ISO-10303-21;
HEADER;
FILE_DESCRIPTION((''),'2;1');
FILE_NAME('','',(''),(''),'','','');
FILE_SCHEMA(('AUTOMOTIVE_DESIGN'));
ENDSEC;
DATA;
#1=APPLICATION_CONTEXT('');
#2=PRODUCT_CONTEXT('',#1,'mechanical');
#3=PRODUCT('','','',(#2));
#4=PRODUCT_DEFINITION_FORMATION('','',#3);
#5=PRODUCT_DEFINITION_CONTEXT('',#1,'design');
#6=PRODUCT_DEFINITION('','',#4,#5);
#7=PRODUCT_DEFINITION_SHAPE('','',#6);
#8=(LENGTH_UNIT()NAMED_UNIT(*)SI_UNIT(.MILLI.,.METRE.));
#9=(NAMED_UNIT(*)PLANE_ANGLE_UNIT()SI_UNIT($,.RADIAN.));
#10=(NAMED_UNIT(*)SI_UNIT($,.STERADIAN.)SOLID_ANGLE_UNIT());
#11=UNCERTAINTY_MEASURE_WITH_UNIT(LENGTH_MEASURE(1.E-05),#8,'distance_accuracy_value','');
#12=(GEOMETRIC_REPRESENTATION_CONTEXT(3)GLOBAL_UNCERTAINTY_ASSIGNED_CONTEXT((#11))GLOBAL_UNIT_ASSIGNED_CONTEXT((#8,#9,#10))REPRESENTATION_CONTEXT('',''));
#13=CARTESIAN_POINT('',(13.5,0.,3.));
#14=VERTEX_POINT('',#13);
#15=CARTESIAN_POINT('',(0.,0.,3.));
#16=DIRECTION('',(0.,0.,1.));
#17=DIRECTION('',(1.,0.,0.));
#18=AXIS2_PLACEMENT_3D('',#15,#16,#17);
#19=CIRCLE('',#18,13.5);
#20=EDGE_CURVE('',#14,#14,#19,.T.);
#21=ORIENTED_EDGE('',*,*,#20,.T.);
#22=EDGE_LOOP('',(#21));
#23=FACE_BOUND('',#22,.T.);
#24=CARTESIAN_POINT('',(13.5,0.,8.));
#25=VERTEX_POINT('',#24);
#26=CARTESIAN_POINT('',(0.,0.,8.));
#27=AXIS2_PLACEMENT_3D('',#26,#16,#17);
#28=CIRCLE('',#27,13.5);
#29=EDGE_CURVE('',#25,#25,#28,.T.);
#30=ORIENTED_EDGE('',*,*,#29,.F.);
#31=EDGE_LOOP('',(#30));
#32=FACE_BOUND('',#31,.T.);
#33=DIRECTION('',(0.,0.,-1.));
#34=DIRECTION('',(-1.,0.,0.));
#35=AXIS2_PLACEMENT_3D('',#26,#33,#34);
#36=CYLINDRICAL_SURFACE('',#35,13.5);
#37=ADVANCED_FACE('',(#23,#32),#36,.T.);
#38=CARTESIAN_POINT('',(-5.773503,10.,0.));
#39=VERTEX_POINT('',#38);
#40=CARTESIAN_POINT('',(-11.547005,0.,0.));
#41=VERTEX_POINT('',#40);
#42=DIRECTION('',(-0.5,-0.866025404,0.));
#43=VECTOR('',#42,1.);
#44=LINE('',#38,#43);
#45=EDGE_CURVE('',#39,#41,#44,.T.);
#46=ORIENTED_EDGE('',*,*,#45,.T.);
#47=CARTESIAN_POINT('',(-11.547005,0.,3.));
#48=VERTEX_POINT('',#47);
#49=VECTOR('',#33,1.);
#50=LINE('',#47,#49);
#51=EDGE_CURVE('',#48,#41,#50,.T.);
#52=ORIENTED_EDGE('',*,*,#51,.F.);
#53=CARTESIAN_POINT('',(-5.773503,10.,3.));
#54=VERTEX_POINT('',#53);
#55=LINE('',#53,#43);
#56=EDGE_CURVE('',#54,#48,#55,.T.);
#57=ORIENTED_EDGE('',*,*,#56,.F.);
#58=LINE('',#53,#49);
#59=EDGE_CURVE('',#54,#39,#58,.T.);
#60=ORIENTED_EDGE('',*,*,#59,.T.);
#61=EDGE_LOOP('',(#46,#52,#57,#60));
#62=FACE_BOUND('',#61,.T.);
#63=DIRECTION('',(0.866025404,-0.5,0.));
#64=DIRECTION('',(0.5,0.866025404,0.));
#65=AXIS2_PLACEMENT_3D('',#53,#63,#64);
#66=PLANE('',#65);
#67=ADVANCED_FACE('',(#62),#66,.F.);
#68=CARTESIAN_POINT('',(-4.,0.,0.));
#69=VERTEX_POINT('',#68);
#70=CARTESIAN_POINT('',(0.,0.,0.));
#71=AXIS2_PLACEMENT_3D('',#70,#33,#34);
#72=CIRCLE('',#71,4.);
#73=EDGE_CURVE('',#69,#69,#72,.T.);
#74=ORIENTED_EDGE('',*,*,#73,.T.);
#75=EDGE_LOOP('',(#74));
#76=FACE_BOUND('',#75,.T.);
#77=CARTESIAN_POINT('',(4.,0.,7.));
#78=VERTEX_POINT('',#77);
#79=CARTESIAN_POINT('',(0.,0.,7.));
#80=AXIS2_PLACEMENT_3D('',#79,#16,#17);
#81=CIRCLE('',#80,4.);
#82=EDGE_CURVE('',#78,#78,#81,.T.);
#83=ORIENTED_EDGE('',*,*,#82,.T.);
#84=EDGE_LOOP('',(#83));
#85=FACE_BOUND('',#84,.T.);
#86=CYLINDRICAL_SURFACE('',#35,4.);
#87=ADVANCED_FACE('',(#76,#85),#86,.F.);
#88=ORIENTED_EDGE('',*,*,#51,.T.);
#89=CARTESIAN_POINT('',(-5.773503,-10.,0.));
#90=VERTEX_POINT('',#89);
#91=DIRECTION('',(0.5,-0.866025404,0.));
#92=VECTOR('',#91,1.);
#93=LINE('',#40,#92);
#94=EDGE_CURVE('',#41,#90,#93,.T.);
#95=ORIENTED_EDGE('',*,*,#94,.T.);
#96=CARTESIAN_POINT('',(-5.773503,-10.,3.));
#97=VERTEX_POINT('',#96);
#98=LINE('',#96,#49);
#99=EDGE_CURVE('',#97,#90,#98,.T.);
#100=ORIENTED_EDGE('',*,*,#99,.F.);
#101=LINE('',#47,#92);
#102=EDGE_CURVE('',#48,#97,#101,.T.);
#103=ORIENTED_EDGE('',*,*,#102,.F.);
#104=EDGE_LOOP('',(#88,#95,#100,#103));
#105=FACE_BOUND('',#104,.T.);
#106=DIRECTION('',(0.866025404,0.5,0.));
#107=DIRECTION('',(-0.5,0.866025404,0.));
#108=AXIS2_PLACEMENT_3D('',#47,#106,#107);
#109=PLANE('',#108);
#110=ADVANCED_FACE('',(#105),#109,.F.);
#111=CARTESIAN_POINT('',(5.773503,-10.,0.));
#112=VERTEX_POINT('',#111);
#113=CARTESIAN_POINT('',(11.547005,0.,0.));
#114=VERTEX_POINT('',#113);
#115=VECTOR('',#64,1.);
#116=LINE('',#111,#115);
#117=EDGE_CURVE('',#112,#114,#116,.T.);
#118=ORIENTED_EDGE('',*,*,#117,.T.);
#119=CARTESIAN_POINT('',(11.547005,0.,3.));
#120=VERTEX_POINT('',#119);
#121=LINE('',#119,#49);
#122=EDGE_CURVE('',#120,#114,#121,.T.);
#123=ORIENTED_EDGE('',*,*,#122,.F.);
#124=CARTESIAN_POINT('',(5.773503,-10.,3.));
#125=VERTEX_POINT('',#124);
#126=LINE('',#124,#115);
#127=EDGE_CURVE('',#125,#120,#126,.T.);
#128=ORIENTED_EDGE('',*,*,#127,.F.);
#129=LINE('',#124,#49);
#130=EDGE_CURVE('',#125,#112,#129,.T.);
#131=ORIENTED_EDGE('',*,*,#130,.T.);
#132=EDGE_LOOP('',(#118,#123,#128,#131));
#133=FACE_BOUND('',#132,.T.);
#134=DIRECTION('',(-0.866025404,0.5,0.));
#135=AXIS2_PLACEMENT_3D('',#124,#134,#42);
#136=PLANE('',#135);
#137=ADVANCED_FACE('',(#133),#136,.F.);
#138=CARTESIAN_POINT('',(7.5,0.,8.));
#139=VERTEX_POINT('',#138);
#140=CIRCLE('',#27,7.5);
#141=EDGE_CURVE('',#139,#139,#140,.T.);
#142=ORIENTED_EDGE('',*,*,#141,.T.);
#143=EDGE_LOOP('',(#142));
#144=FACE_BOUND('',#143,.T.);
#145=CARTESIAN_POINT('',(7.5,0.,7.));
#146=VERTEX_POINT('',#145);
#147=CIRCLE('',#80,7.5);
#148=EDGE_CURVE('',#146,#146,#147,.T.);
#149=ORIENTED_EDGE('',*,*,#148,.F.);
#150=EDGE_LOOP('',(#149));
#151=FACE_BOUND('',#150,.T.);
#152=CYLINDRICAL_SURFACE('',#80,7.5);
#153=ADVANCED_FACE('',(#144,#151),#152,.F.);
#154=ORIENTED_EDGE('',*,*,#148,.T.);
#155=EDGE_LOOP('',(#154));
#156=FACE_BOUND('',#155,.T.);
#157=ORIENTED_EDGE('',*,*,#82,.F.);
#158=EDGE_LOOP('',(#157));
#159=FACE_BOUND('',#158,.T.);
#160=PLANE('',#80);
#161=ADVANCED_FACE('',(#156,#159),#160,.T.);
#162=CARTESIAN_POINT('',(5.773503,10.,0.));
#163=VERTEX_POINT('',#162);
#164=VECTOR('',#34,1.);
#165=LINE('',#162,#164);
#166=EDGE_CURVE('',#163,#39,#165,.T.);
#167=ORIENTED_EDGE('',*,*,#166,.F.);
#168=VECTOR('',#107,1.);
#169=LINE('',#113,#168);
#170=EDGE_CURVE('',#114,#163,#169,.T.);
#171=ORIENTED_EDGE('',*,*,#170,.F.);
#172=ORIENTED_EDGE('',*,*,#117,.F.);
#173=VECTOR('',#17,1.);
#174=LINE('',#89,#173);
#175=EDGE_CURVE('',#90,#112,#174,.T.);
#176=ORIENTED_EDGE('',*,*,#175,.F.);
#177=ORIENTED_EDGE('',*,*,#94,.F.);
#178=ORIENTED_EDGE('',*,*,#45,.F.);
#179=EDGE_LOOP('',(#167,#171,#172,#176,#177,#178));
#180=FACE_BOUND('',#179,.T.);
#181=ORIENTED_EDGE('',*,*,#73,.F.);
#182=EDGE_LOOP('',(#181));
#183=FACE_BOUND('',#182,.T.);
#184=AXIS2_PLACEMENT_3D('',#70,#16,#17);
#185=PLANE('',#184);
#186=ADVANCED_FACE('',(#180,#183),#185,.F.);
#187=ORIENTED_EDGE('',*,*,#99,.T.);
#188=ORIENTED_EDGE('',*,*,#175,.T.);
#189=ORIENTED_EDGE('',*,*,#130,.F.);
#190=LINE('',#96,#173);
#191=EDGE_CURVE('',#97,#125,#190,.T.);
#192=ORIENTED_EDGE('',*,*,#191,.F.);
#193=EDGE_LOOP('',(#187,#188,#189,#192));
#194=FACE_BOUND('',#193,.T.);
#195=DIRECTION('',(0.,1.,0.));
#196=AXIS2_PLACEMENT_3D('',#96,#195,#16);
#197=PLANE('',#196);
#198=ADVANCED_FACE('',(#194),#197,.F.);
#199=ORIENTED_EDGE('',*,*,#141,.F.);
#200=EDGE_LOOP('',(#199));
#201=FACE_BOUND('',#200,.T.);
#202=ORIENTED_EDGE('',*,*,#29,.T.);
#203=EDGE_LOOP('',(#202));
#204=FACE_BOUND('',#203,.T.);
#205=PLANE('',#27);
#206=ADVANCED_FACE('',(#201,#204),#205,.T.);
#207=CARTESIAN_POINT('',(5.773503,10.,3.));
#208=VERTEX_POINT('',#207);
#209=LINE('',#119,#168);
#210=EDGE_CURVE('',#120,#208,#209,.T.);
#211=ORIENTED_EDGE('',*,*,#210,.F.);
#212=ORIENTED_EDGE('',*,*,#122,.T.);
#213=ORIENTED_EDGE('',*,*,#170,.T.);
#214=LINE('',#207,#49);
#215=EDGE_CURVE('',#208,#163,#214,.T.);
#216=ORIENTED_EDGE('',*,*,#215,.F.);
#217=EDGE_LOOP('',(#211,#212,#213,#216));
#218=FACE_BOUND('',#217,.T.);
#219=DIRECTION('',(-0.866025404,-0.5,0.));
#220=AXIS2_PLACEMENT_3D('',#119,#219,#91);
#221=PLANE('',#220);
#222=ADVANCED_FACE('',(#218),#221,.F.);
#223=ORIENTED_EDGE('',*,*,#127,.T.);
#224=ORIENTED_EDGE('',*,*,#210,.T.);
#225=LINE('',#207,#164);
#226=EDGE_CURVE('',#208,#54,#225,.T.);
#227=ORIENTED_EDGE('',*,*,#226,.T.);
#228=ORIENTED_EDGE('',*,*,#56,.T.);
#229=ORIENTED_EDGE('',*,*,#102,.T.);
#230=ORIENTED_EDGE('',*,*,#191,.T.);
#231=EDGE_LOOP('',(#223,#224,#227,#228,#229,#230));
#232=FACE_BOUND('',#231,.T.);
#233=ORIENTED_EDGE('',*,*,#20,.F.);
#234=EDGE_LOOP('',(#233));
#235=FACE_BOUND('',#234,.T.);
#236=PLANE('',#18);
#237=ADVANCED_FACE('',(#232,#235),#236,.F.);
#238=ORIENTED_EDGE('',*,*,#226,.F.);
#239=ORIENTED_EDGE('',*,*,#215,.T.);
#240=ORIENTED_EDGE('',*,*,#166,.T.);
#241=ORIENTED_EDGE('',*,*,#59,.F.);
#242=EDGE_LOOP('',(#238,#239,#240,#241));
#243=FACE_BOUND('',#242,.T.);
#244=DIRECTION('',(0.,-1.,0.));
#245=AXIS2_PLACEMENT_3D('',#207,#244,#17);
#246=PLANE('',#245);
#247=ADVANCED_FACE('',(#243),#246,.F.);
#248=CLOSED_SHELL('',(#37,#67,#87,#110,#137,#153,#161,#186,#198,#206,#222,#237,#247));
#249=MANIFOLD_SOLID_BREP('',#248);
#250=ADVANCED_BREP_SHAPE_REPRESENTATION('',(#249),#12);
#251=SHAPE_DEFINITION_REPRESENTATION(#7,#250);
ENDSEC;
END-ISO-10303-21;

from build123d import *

# Parameters (mm, degrees)
BOSS_EXTRUDE1_DEPTH = 3
SKETCH2_R           = 13.5
BOSS_EXTRUDE2_DEPTH = 5
SKETCH3_R           = 7.5
CUT_EXTRUDE1_DEPTH  = 1
SKETCH4_R           = 4
CUT_EXTRUDE2_DEPTH  = 9


with BuildPart() as part:
    # Sketch1 → Boss-Extrude1 (new body)
    with BuildSketch(Plane.XY):
        Polygon((5.773502692, -10), (11.547005384, 0), (5.773502692, 10), (-5.773502692, 10), (-11.547005384, 0), (-5.773502692, -10), align=None)
    extrude(amount=BOSS_EXTRUDE1_DEPTH)

    # Sketch2 → Boss-Extrude2 (add)
    with BuildSketch(Plane.XY.offset(3)):
        Circle(SKETCH2_R)
    extrude(amount=BOSS_EXTRUDE2_DEPTH)

    # Sketch3 → Cut-Extrude1 (cut)
    with BuildSketch(Plane.XY.offset(8)):
        Circle(SKETCH3_R)
    extrude(amount=-CUT_EXTRUDE1_DEPTH, mode=Mode.SUBTRACT)

    # Sketch4 → Cut-Extrude2 (cut, through all)
    with BuildSketch(Plane(origin=(0, 0, 0), x_dir=(-1, 0, 0), z_dir=(0, 0, -1))):
        Circle(SKETCH4_R)
    extrude(amount=-CUT_EXTRUDE2_DEPTH, mode=Mode.SUBTRACT)


solid = part.part
